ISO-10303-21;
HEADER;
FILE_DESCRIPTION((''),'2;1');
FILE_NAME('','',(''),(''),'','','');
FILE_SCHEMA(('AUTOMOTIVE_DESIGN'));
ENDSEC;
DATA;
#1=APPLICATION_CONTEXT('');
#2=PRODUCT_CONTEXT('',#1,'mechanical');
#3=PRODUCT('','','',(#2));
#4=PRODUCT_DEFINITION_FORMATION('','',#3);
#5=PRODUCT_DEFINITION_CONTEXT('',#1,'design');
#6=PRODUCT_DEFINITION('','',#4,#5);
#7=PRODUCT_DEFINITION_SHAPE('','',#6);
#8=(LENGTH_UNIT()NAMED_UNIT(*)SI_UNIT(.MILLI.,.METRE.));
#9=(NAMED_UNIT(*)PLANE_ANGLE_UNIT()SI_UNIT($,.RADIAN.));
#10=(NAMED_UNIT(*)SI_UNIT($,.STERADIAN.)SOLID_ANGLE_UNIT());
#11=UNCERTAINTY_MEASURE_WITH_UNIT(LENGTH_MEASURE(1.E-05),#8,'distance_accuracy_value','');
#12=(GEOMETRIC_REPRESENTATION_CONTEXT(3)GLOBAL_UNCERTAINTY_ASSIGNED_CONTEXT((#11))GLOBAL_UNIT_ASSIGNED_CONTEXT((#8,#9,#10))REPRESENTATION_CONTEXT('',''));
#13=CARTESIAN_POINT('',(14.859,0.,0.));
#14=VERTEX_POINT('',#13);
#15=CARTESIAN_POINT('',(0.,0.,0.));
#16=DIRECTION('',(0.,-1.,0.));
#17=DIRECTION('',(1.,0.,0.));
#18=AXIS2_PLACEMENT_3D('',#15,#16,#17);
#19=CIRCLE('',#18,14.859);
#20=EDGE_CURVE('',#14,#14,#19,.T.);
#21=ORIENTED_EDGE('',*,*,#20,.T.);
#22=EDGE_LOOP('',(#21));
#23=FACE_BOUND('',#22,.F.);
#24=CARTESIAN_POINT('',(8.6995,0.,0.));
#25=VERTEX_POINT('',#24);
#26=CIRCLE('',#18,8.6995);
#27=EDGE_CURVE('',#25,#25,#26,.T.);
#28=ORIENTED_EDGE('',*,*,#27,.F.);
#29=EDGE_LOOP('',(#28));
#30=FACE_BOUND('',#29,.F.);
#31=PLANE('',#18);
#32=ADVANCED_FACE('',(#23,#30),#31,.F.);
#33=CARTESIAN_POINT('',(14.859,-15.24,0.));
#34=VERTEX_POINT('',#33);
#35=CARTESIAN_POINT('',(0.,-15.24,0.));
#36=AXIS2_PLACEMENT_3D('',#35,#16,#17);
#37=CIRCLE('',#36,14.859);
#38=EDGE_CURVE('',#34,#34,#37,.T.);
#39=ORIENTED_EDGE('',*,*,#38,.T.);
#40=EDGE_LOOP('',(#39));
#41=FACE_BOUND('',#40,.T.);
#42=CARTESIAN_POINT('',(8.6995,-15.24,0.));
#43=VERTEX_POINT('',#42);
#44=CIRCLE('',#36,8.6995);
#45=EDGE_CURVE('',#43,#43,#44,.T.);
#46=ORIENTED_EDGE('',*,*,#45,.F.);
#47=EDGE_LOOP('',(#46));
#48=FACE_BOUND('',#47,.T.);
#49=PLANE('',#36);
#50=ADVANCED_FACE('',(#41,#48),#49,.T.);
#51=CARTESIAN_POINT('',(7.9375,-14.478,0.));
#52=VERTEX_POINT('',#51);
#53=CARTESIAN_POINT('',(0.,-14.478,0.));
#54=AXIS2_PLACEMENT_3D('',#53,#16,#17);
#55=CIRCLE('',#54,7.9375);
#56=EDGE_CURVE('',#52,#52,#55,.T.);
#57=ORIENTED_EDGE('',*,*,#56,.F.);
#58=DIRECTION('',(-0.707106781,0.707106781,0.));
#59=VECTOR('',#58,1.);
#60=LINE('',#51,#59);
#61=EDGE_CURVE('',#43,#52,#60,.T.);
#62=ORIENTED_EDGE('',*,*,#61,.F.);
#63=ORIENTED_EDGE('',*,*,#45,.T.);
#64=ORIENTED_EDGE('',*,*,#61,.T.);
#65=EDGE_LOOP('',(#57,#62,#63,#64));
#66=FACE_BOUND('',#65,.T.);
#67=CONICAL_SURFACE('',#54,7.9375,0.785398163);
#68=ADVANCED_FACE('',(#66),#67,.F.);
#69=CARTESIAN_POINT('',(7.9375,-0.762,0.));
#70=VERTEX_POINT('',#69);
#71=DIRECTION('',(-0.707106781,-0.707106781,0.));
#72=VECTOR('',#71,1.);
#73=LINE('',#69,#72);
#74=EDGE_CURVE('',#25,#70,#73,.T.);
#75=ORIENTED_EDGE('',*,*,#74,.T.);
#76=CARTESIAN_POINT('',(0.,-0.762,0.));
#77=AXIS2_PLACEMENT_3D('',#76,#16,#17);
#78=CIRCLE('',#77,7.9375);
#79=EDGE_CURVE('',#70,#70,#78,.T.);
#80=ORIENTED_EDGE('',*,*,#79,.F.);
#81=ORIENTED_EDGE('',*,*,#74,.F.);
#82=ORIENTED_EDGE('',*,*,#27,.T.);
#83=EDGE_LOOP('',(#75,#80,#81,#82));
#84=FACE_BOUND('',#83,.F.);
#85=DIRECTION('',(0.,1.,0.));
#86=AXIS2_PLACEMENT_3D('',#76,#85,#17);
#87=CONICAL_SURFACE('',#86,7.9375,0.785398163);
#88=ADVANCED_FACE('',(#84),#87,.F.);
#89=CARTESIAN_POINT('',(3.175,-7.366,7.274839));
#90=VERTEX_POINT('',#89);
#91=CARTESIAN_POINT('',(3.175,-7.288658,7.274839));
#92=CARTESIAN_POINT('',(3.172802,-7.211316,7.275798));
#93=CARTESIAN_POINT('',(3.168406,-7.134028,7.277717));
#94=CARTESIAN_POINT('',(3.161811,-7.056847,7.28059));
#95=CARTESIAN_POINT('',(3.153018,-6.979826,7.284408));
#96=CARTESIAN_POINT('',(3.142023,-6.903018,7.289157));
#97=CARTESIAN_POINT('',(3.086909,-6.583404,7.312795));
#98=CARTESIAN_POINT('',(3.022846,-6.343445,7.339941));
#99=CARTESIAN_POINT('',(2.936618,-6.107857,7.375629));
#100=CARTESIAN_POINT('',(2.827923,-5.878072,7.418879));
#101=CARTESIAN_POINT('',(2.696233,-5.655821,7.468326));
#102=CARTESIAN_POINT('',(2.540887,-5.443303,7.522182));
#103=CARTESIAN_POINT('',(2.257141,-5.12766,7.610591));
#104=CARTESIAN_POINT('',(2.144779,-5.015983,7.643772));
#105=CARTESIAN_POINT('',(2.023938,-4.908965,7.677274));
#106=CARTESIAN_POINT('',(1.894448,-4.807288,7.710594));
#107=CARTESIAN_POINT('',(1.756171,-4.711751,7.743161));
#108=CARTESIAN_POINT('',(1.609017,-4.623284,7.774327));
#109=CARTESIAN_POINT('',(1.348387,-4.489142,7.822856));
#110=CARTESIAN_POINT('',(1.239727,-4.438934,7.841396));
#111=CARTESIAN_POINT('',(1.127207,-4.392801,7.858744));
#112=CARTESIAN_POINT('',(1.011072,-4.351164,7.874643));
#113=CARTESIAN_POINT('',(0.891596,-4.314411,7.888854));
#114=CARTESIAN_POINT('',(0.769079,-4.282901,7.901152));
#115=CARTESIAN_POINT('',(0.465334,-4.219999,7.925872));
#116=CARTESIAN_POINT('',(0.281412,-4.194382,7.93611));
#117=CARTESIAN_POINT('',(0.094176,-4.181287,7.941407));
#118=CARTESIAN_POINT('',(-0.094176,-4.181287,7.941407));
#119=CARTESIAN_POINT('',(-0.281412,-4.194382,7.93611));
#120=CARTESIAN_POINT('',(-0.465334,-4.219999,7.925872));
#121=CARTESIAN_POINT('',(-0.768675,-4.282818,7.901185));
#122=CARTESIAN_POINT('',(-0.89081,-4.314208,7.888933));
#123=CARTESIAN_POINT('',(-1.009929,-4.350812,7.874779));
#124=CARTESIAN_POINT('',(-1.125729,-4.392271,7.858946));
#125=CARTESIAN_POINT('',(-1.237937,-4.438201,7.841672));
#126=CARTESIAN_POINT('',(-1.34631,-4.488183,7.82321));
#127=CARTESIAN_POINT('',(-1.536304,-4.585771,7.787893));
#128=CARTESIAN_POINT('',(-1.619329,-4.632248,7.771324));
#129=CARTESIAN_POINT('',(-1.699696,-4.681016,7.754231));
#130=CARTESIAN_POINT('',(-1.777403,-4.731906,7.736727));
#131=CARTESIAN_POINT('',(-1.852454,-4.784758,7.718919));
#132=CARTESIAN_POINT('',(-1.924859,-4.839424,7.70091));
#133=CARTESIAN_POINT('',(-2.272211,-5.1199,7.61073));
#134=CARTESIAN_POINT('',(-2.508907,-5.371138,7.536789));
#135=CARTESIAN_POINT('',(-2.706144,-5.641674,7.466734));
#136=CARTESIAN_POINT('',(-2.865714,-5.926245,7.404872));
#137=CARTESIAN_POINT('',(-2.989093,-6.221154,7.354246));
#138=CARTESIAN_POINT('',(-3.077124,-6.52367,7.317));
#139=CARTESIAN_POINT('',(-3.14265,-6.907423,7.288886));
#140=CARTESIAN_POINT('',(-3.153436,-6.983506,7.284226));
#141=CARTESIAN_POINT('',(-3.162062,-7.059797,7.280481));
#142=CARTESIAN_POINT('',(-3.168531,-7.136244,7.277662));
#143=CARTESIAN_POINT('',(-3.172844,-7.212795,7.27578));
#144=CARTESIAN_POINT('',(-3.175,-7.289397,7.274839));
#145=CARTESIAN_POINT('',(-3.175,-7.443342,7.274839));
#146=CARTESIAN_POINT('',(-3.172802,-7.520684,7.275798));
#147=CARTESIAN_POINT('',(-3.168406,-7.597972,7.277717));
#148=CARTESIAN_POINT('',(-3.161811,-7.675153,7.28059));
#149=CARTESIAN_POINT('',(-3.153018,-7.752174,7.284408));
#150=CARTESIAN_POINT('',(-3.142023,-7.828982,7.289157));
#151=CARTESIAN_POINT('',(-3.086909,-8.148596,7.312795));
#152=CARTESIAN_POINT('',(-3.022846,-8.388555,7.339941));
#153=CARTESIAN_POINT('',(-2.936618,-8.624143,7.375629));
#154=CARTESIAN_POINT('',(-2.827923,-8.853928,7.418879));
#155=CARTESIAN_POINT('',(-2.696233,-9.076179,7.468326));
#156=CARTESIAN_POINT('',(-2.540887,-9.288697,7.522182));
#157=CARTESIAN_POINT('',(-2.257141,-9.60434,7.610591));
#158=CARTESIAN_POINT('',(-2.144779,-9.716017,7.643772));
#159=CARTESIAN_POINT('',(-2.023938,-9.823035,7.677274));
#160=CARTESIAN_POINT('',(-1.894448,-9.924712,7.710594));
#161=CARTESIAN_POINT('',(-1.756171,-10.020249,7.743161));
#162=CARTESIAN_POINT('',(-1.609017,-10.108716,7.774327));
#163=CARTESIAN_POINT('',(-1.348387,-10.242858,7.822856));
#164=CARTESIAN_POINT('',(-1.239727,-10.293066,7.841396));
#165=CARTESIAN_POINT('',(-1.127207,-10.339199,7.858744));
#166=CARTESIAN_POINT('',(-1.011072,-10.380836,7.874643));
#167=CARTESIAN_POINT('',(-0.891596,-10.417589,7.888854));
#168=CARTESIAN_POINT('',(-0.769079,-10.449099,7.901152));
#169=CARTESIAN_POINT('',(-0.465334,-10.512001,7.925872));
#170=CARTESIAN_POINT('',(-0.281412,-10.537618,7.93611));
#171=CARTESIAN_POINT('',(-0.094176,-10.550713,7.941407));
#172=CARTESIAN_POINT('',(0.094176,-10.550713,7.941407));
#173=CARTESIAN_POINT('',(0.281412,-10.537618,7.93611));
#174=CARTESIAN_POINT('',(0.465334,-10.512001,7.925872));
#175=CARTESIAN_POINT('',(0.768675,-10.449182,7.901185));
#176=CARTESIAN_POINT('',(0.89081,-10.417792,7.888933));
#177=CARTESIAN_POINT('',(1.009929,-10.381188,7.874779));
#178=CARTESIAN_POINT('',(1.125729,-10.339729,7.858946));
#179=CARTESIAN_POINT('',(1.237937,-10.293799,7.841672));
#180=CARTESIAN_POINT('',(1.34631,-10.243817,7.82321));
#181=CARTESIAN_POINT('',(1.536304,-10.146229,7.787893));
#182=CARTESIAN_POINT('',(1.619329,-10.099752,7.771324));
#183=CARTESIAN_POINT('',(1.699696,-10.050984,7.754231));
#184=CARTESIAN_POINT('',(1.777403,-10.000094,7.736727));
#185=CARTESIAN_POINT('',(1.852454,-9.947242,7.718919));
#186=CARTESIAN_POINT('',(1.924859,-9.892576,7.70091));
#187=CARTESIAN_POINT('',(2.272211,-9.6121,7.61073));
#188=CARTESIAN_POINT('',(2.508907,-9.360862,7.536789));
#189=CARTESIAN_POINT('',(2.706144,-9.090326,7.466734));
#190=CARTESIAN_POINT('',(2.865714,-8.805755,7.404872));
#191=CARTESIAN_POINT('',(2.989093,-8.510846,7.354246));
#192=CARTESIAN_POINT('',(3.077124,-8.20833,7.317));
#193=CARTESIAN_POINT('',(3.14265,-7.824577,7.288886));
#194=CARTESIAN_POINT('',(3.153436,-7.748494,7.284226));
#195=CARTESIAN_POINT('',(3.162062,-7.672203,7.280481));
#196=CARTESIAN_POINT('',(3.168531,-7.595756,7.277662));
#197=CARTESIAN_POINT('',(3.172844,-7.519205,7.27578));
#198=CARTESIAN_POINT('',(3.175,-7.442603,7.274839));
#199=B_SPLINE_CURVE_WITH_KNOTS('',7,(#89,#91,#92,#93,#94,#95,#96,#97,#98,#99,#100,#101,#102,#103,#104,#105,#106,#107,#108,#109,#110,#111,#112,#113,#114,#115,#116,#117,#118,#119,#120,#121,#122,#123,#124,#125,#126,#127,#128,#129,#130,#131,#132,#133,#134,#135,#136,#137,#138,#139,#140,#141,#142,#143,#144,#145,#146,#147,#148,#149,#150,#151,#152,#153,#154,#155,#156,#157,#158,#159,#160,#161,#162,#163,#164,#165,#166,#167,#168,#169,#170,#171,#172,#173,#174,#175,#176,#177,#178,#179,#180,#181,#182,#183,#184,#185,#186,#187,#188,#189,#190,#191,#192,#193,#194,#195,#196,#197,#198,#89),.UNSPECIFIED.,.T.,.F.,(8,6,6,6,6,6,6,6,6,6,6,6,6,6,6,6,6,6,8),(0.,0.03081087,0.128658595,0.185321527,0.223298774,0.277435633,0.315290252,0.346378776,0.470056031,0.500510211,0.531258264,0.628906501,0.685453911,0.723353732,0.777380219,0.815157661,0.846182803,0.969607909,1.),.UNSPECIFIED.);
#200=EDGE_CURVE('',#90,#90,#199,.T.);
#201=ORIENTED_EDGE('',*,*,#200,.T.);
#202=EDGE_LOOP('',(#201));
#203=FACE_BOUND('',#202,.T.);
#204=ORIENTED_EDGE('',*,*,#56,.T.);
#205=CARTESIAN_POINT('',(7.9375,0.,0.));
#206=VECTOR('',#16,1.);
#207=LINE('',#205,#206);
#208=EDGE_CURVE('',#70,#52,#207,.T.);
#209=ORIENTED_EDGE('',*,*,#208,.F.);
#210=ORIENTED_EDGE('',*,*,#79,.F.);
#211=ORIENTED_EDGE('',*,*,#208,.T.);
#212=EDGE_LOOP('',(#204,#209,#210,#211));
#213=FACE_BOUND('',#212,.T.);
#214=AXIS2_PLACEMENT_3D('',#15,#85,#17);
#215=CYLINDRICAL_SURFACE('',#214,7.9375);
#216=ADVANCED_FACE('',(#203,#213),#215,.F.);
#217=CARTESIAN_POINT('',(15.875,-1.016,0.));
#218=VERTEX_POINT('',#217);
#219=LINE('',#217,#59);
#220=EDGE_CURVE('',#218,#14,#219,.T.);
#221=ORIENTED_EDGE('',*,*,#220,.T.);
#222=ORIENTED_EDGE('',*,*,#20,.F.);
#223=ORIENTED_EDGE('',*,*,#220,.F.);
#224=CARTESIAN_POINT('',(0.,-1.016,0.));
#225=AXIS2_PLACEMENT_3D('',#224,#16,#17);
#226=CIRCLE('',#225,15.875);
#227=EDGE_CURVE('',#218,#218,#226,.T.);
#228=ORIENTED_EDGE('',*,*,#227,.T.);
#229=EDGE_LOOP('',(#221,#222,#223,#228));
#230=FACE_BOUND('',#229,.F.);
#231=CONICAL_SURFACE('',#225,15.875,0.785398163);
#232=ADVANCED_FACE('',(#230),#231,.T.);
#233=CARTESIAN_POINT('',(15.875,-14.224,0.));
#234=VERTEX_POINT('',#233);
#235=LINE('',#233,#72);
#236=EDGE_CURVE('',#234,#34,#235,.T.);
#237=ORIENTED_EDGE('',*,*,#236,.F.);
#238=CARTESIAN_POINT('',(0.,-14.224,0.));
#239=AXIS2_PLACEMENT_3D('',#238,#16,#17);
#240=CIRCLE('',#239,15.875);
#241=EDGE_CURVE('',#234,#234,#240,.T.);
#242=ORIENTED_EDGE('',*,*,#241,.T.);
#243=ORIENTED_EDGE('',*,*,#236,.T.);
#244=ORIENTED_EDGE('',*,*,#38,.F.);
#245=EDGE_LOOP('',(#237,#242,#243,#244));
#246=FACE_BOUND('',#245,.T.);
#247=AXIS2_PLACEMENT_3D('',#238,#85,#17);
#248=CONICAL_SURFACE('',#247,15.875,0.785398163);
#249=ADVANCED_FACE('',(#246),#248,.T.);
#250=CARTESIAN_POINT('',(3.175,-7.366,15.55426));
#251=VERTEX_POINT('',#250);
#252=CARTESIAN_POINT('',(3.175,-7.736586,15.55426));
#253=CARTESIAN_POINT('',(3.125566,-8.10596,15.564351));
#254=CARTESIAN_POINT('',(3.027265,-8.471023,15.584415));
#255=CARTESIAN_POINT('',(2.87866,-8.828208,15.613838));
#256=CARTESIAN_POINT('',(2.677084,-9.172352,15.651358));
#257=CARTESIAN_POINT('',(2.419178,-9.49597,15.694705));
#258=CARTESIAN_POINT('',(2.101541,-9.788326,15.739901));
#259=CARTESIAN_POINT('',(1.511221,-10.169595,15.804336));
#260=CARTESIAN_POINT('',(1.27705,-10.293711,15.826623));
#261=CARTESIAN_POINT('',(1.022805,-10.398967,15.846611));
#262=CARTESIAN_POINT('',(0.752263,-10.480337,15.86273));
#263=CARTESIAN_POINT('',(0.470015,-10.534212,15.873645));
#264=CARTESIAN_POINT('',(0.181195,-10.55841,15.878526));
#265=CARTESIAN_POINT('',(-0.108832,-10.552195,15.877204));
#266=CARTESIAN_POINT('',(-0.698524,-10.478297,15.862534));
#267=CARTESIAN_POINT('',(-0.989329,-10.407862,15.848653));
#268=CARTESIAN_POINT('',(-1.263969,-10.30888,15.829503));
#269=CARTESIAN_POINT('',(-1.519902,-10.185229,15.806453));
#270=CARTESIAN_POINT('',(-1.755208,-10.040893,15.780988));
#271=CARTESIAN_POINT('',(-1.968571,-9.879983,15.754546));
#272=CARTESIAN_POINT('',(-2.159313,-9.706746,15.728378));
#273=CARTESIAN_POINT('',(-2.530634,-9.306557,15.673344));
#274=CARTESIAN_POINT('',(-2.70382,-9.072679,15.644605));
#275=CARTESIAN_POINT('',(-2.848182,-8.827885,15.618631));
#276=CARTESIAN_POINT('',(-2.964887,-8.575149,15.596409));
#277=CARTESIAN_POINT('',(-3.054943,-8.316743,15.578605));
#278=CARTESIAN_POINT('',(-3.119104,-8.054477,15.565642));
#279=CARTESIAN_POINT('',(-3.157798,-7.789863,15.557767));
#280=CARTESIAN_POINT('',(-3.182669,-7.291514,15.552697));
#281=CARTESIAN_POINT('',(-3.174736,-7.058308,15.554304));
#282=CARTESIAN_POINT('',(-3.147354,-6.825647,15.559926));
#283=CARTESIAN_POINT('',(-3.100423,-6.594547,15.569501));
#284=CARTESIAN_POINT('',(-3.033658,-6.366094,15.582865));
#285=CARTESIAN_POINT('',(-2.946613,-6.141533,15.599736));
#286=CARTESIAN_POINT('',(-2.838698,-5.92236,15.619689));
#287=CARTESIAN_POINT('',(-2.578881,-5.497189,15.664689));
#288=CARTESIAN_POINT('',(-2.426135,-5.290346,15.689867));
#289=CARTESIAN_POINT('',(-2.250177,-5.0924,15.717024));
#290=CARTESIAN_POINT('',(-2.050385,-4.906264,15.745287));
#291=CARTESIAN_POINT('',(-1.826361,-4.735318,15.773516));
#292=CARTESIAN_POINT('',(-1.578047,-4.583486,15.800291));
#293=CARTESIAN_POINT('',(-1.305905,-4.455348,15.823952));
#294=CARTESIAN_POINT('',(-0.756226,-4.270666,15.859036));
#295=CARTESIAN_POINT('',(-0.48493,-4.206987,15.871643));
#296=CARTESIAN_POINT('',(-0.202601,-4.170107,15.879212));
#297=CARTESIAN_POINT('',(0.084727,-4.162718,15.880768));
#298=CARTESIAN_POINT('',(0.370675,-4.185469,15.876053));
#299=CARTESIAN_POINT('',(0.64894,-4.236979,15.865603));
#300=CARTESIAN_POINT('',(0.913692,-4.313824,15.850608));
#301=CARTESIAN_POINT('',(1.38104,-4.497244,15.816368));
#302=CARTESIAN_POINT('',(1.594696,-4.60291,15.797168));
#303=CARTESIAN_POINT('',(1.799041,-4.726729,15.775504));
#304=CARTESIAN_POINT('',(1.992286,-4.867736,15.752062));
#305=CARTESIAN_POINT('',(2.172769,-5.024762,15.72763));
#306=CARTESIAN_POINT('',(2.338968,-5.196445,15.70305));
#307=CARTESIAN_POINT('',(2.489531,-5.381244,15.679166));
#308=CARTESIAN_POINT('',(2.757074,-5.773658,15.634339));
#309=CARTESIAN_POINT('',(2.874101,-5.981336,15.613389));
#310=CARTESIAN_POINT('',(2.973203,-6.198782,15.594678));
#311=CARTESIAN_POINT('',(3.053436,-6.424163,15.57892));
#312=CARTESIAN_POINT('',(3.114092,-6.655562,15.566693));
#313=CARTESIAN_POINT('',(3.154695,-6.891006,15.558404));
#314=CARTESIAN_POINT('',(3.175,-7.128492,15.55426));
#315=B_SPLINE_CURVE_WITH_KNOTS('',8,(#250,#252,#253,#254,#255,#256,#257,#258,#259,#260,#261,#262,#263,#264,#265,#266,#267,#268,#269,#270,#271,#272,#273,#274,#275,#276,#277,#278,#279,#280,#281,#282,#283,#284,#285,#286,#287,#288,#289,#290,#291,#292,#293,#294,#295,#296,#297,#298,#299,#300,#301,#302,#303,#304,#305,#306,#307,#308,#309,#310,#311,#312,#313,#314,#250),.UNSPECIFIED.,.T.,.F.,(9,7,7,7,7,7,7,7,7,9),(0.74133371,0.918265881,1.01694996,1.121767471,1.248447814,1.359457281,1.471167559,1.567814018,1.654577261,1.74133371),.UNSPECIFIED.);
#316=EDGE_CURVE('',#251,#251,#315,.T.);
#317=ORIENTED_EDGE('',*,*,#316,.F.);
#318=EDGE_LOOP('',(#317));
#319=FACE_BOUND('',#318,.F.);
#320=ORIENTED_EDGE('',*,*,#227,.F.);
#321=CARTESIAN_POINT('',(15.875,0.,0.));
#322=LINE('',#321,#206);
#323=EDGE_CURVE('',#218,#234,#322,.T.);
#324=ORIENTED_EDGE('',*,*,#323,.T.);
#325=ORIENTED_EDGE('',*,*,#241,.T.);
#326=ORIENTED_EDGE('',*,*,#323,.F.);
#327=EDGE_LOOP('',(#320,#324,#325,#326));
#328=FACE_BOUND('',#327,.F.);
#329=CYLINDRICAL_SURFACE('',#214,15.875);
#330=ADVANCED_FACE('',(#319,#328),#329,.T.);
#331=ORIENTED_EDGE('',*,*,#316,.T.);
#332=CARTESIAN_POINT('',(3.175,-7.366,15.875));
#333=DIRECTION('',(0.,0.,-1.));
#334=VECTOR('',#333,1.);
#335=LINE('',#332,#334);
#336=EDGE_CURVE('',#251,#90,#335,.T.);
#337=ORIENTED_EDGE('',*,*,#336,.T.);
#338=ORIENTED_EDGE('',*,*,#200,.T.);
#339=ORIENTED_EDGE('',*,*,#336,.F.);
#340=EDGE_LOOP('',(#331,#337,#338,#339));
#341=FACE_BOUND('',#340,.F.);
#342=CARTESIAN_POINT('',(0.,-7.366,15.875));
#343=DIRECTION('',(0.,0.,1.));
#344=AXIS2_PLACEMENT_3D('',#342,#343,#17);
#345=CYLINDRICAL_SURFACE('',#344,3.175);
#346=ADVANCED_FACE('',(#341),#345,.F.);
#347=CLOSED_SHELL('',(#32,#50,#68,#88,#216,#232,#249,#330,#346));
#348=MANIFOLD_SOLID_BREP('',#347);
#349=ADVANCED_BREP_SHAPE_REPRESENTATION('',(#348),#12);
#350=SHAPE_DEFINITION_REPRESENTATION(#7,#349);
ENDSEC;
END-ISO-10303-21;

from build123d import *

# Parameters (mm, degrees)
F0_R     = 15.875
F0_R_2   = 7.9375
F1_DEPTH = 15.24
F2_SIZE  = 1.016
F3_SIZE  = 0.762
F5_R     = 3.175
F6_DEPTH = 14.224


with BuildPart() as f1:
    # F0 (on Front) → F1 (new body)
    with BuildSketch(Plane.XZ):
        Circle(F0_R)
        Circle(F0_R_2, mode=Mode.SUBTRACT)
    extrude(amount=F1_DEPTH)

    # F2
    f2_edges = [f1.edges().sort_by_distance(p)[0] for p in [
        (-15.875, -15.24, 0),
        (-15.875, 0, 0),
    ]]
    chamfer(f2_edges, length=F2_SIZE)

    # F3
    f3_edges = [f1.edges().sort_by_distance(p)[0] for p in [
        (-7.9375, -15.24, 0),
        (-7.9375, 0, 0),
    ]]
    chamfer(f3_edges, length=F3_SIZE)

    # F5 (on offset) → F6 (cut)
    with BuildSketch(Plane.XY.offset(15.875)):
        with Locations((0, -7.366)):
            Circle(F5_R)
    extrude(amount=-F6_DEPTH, mode=Mode.SUBTRACT)


solid = f1.part
